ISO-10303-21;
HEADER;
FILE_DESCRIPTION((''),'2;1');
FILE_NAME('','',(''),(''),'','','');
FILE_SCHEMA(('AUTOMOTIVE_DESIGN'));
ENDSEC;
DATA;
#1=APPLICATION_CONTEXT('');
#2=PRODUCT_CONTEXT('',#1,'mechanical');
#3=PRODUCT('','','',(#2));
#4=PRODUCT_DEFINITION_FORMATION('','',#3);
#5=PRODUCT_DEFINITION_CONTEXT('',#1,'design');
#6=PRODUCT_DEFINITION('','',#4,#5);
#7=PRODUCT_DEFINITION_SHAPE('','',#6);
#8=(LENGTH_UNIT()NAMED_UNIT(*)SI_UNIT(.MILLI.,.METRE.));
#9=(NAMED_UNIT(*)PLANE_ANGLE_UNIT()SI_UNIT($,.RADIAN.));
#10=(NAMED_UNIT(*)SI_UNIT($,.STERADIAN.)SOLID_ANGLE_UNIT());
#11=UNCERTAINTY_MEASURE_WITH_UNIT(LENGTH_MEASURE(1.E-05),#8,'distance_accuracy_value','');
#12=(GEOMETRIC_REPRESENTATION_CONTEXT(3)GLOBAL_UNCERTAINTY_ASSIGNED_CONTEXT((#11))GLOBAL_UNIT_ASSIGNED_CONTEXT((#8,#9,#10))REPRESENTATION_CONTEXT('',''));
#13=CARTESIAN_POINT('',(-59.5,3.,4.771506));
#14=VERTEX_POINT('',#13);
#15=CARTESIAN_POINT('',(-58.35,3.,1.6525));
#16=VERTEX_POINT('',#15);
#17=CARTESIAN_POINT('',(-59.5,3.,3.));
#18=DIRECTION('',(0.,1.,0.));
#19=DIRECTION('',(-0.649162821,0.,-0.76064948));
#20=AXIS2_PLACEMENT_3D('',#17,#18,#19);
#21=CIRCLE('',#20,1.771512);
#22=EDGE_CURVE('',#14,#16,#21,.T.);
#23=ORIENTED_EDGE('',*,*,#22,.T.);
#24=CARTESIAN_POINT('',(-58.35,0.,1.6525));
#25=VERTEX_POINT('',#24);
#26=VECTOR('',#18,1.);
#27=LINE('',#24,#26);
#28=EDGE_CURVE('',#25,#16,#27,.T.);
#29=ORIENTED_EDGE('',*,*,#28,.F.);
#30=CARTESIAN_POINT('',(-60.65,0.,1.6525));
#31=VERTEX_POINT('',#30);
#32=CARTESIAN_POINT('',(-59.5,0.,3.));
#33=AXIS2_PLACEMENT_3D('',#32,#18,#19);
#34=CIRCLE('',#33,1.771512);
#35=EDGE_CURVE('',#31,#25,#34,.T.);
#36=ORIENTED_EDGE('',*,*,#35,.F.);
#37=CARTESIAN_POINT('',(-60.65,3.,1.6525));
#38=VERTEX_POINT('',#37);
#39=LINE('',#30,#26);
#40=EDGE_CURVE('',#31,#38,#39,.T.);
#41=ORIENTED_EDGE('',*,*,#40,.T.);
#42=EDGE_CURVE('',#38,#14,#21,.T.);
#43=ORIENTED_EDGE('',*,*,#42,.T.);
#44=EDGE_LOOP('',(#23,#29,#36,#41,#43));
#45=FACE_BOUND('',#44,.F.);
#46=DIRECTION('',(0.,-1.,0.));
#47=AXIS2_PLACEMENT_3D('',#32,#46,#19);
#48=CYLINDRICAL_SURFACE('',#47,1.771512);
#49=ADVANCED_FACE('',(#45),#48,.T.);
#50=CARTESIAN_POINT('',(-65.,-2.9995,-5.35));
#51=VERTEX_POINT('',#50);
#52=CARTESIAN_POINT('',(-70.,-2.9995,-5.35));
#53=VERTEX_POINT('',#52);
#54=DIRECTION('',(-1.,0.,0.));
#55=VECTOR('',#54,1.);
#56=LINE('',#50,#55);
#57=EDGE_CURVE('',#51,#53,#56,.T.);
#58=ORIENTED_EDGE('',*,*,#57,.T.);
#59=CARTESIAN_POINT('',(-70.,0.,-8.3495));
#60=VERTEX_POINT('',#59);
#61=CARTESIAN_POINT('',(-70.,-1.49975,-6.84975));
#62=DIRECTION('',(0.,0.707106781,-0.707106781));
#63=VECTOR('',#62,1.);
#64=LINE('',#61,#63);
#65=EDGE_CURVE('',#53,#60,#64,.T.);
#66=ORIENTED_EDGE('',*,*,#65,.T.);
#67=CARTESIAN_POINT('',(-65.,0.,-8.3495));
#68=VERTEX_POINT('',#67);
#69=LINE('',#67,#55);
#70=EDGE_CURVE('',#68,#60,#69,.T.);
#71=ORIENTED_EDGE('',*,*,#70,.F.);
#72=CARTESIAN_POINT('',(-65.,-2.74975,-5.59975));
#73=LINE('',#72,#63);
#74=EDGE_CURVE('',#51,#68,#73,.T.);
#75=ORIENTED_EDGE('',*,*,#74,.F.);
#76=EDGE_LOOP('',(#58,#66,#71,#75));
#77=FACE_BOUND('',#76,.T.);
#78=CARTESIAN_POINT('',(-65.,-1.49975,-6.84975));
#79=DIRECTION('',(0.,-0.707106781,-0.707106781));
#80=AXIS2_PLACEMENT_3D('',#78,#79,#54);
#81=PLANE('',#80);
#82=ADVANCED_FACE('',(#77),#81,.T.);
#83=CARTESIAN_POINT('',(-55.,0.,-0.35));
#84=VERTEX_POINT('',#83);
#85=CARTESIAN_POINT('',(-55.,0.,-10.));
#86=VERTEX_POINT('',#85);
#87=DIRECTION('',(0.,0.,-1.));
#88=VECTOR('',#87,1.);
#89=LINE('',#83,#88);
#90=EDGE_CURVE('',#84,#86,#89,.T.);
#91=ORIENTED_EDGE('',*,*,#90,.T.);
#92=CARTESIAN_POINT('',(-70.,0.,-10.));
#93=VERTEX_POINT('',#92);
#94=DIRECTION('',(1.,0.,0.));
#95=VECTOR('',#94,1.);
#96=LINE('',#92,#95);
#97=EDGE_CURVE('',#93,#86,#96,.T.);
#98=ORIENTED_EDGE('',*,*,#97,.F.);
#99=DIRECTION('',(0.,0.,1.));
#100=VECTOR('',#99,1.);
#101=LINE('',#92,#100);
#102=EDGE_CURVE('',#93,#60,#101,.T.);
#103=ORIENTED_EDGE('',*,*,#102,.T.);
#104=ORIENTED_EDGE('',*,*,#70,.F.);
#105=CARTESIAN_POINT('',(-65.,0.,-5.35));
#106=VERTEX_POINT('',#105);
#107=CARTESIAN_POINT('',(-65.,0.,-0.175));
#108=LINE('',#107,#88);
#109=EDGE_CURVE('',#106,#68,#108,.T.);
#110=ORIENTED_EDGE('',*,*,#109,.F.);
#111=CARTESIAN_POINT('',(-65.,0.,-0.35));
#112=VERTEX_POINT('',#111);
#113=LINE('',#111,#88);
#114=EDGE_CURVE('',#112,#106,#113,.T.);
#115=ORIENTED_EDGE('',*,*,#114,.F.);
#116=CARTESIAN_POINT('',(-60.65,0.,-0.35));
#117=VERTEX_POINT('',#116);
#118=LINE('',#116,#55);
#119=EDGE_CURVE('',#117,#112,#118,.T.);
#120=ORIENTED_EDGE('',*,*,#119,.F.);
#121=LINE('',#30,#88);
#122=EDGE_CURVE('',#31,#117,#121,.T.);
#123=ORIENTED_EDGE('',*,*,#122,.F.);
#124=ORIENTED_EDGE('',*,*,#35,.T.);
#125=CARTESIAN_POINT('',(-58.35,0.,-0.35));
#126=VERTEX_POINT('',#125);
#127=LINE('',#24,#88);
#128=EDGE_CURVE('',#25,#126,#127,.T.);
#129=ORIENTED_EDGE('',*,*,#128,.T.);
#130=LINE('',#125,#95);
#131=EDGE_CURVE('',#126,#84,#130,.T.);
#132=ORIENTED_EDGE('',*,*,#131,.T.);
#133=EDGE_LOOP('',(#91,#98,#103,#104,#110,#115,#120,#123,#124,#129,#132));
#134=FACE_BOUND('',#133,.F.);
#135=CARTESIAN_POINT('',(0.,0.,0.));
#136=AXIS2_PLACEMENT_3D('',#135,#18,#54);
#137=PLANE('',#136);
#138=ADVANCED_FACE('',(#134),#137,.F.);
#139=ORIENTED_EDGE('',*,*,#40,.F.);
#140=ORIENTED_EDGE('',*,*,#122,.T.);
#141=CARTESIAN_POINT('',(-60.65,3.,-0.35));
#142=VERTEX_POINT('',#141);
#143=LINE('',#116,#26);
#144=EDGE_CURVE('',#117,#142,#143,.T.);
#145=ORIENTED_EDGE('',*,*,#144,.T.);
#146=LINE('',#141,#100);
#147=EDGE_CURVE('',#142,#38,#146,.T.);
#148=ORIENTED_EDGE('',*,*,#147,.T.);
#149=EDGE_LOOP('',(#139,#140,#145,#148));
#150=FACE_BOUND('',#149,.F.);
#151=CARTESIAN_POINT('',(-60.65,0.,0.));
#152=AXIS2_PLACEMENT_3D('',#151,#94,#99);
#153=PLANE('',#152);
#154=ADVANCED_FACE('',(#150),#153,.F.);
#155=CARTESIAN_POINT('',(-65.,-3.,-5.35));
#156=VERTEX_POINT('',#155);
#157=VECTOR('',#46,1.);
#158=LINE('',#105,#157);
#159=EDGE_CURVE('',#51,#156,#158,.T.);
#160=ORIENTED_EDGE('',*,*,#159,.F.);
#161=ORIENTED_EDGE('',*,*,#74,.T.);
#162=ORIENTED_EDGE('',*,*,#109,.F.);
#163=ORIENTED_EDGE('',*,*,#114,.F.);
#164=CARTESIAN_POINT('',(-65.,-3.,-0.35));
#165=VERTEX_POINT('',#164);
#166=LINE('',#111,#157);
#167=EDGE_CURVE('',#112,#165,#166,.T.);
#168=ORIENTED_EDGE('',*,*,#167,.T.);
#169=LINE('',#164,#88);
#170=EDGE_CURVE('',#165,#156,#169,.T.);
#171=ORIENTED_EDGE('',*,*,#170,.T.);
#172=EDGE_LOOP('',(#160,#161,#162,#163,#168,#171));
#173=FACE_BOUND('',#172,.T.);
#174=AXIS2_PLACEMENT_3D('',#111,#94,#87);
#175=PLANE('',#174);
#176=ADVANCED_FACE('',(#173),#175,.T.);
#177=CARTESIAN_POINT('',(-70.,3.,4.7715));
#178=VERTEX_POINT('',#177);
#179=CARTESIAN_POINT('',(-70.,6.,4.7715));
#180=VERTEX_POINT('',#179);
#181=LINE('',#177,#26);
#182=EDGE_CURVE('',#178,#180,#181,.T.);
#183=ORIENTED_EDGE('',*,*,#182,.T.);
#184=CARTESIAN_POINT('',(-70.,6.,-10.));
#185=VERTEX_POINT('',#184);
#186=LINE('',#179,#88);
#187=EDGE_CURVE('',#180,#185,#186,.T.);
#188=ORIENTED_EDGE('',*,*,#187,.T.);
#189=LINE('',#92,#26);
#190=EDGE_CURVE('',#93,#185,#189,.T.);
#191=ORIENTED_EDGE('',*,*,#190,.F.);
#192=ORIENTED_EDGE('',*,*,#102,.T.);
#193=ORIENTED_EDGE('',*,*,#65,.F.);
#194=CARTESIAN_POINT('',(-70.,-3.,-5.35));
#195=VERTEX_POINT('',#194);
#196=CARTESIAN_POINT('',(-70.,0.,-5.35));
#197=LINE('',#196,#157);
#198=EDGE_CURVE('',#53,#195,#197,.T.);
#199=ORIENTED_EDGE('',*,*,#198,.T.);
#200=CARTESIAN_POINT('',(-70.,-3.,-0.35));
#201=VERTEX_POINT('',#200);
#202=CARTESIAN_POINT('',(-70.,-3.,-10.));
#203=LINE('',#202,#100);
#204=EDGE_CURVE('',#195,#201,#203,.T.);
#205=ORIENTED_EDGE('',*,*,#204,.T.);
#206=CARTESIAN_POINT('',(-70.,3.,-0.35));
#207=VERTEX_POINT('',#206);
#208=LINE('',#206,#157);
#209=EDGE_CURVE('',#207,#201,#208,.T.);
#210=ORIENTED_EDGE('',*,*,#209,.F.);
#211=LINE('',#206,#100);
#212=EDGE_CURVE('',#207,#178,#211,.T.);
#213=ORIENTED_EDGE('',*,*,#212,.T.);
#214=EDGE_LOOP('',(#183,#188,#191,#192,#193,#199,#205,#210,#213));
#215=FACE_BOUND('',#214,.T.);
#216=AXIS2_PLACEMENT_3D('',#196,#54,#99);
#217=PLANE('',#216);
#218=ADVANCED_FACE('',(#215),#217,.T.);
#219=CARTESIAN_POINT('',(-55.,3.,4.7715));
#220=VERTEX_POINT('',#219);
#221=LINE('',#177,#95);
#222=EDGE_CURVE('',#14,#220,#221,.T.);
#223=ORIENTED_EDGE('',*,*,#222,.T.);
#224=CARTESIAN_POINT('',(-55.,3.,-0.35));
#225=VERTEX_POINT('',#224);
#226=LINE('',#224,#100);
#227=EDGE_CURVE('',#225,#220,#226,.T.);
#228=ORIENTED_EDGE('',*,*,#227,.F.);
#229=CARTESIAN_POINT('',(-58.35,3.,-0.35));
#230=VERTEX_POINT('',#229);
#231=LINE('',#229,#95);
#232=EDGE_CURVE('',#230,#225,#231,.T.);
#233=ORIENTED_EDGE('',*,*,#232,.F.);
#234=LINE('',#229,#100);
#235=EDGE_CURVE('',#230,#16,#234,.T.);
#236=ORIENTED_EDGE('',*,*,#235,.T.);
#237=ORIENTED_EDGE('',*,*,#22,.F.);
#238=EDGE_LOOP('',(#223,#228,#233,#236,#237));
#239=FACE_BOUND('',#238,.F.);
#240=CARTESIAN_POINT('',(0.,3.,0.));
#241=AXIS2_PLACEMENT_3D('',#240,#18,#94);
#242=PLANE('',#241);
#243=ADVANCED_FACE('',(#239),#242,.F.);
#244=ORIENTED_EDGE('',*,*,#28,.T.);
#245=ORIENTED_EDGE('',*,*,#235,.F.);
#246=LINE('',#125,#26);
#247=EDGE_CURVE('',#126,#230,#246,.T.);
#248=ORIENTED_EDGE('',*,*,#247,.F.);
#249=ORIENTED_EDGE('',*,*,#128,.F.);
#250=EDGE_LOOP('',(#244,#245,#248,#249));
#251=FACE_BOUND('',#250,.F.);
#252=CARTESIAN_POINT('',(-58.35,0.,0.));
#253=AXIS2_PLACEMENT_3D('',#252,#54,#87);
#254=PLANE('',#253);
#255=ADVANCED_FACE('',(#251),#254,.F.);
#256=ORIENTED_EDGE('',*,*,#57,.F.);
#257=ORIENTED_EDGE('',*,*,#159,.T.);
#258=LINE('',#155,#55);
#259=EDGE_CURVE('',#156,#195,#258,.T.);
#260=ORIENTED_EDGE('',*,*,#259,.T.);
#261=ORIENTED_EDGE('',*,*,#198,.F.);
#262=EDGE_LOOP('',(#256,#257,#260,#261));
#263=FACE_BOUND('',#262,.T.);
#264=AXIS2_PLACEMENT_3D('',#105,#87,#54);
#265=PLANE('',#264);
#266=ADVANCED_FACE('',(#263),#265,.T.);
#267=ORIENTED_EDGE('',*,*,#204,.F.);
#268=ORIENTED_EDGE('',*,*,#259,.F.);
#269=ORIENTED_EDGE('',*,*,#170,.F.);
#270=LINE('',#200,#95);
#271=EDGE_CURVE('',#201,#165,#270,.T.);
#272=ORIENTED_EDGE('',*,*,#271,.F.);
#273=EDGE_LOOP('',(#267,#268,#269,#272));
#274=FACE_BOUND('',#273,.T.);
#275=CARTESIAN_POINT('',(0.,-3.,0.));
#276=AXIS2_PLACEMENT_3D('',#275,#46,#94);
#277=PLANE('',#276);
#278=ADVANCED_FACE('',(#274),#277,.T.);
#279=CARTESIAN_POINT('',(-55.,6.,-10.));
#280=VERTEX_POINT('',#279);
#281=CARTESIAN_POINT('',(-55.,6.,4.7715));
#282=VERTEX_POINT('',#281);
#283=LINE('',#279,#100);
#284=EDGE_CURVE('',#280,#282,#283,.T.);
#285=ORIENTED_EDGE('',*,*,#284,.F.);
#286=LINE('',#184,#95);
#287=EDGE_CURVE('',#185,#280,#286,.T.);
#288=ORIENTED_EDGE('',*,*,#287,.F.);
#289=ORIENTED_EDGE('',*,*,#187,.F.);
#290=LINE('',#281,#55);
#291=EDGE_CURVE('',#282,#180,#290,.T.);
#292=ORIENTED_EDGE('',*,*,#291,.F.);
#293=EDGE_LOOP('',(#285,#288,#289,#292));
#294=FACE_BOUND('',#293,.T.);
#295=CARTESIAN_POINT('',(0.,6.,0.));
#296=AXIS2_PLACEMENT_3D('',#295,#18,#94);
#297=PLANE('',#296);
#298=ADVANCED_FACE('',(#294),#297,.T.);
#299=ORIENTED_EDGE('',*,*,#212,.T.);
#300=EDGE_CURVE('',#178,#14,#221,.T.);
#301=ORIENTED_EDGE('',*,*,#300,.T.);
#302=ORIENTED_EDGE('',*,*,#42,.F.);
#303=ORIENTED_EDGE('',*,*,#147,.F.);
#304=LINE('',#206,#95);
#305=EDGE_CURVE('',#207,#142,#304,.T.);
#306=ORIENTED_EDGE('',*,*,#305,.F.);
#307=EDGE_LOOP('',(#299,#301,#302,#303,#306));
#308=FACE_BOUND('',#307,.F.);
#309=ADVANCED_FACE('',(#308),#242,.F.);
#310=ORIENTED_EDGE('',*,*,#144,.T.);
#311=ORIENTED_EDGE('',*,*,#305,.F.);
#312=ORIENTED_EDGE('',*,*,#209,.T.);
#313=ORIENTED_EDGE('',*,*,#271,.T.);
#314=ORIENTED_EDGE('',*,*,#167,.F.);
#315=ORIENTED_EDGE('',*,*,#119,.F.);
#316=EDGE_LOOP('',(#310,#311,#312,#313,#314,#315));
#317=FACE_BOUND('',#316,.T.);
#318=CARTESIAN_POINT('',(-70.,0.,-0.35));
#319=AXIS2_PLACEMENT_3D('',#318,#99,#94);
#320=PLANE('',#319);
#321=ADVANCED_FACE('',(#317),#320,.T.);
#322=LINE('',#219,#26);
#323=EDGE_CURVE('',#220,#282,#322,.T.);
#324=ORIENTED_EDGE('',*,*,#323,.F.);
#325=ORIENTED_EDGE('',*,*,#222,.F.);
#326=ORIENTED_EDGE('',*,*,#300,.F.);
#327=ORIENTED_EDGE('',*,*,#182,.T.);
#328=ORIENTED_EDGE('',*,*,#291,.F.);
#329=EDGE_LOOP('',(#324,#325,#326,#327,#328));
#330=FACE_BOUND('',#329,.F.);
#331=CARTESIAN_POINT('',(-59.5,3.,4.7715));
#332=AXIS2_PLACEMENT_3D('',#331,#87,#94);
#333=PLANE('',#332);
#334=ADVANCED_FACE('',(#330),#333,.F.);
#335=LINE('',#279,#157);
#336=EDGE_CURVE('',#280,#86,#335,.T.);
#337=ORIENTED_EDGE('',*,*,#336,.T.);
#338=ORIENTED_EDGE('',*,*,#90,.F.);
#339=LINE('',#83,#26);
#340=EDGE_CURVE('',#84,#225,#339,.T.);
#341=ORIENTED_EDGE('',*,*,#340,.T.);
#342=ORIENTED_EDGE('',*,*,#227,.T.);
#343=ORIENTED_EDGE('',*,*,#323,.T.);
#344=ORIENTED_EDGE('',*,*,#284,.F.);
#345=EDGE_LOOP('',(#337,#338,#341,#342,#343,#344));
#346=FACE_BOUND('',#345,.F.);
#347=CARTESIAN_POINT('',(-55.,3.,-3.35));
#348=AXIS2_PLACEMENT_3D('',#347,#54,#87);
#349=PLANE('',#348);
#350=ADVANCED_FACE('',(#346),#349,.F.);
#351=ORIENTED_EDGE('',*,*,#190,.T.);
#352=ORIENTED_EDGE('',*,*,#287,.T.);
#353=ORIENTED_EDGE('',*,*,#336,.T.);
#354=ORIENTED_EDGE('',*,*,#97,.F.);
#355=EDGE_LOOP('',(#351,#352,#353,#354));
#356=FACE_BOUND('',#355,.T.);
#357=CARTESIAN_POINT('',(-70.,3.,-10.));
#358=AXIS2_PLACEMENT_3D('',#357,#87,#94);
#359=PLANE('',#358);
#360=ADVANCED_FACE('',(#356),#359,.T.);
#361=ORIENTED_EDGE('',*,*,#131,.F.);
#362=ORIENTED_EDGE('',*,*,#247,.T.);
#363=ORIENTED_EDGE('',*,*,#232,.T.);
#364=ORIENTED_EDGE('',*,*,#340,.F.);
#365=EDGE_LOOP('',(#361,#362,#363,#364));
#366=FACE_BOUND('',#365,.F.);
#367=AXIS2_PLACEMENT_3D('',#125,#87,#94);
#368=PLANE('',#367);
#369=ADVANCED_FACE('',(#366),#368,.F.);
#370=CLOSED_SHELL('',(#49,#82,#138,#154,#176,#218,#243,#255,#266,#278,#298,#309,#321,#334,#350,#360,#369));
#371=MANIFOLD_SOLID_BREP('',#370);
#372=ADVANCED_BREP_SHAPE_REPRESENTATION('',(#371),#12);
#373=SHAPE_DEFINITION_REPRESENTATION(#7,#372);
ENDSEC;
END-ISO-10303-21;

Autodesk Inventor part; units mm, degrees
ref_plane "YZ Plane" through (0, 0, 0) normal (1, 0, 0) x (0, 1, 0)
ref_plane "XZ Plane" through (0, 0, 0) normal (0, 1, 0) x (-1, 0, 0)
ref_plane "XY Plane" through (0, 0, 0) normal (0, 0, 1) x (1, 0, 0)
sketch "Esboço1" plane through (0, 0, 0) normal (0, 1, 0) x (-1, 0, 0)
  line L0 (55, -0.35) -> (55, -10)
  line L1 (67, -0.35) -> (67, -10)
  line L2 (67, -10) -> (55, -10)
  arc A0 (60.65, 1.6525) -> (58.35, 1.6525) centre (59.5, 3) ccw
  line L3 (58.35, 0) -> (58.35, 1.6525)
  line L4 (60.65, 0) -> (60.65, 1.6525)
  line L5 (60.65, 0) -> (60.65, -0.35)
  line L6 (60.65, -0.35) -> (67, -0.35)
  line L7 (58.35, 0) -> (58.35, -0.35)
  line L8 (58.35, -0.35) -> (55, -0.35)
  point P0 (0, 0)
  point P1 (-4, 56.431)
  dimension "d5" = 3.543
  dimension "d8" = 0.35
extrude "Extrusão1" add sketch "Esboço1" along normal blind 3
sketch "Esboço2" plane through (0, 3, 0) normal (0, 1, 0) x (1, 0, 0)
  point P0 (0, 0)
sketch "Esboço3" plane through (-67, 0, -10) normal (-1, 0, 0) x (0, 0, 1)
  line L0 (9.65, 0) -> (9.65, 3) projected
  line L1 (9.65, 0) -> (9.65, 3)
  line L2 (9.65, 3) -> (0, 3) projected
  line L3 (9.65, 3) -> (0, 3)
  line L4 (0, 0) -> (0, 3) projected
  line L5 (0, 3) -> (0, 0)
  line L6 (0, 0) -> (9.65, 0)
  point P0 (10, 0)
extrude "Extrusão2" add sketch "Esboço3" along normal blind 3
sketch "Esboço4" plane through (0, 3, 0) normal (0, 1, 0) x (1, 0, 0)
  arc A0 (-60.65, -1.6525) -> (-58.35, -1.6525) centre (-59.5, -3) ccw projected
  line L0 (-58.35, 0.35) -> (-55, 0.35) projected
  line L1 (-55, 0.35) -> (-55, -4.7715)
  line L2 (-60.65, 0.35) -> (-70, 0.35) projected
  line L3 (-70, 0.35) -> (-70, -4.7715)
  line L4 (-70, -4.7715) -> (-55, -4.7715)
  line L5 (-70, 0.35) -> (-70, 3.35)
  line L6 (-70, 10) -> (-70, 0.35) projected
  line L7 (-70, 3.35) -> (-55, 3.35)
  line L8 (-55, 3.35) -> (-55, 0.35)
  point P0 (0, 0)
  dimension "d14" = 3
extrude "Extrusão3" add sketch "Esboço4" along normal blind 3
sketch "Esboço5" plane through (0, 3, 0) normal (0, 1, 0) x (1, 0, 0)
  line L0 (-70, 10) -> (-55, 10) projected
  line L1 (-70, 3.35) -> (-55, 3.35) projected
  line L2 (-55, 10) -> (-70, 10)
  line L3 (-70, 10) -> (-70, 3.35)
  line L4 (-70, 3.35) -> (-55, 3.35)
  line L5 (-55, 3.35) -> (-55, 10)
  point P0 (0, 0)
extrude "Extrusão4" add sketch "Esboço5" along normal blind 3
sketch "Esboço6" plane through (0, 0, 0) normal (0, -1, 0) x (1, 0, 0)
  line L0 (-70, -0.35) -> (-70, 4.7715) projected
  line L1 (-70, -0.35) -> (-65, -0.35)
  line L2 (-60.65, -0.35) -> (-70, -0.35) projected
  line L3 (-65, -0.35) -> (-65, -5.35)
  line L4 (-65, -5.35) -> (-70, -5.35)
  line L5 (-70, -10) -> (-70, -0.35) projected
  line L6 (-70, -0.35) -> (-70, -5.35)
  point P0 (0, 0)
  dimension "d19" = 5
  dimension "d20" = 5
extrude "Extrusão5" add sketch "Esboço6" along normal blind 3
chamfer "Chanfro1" distance 3 angle 45 1 edges at (-67.5, 0, -5.35)
properties part number "encaixe suporte controlador L"
